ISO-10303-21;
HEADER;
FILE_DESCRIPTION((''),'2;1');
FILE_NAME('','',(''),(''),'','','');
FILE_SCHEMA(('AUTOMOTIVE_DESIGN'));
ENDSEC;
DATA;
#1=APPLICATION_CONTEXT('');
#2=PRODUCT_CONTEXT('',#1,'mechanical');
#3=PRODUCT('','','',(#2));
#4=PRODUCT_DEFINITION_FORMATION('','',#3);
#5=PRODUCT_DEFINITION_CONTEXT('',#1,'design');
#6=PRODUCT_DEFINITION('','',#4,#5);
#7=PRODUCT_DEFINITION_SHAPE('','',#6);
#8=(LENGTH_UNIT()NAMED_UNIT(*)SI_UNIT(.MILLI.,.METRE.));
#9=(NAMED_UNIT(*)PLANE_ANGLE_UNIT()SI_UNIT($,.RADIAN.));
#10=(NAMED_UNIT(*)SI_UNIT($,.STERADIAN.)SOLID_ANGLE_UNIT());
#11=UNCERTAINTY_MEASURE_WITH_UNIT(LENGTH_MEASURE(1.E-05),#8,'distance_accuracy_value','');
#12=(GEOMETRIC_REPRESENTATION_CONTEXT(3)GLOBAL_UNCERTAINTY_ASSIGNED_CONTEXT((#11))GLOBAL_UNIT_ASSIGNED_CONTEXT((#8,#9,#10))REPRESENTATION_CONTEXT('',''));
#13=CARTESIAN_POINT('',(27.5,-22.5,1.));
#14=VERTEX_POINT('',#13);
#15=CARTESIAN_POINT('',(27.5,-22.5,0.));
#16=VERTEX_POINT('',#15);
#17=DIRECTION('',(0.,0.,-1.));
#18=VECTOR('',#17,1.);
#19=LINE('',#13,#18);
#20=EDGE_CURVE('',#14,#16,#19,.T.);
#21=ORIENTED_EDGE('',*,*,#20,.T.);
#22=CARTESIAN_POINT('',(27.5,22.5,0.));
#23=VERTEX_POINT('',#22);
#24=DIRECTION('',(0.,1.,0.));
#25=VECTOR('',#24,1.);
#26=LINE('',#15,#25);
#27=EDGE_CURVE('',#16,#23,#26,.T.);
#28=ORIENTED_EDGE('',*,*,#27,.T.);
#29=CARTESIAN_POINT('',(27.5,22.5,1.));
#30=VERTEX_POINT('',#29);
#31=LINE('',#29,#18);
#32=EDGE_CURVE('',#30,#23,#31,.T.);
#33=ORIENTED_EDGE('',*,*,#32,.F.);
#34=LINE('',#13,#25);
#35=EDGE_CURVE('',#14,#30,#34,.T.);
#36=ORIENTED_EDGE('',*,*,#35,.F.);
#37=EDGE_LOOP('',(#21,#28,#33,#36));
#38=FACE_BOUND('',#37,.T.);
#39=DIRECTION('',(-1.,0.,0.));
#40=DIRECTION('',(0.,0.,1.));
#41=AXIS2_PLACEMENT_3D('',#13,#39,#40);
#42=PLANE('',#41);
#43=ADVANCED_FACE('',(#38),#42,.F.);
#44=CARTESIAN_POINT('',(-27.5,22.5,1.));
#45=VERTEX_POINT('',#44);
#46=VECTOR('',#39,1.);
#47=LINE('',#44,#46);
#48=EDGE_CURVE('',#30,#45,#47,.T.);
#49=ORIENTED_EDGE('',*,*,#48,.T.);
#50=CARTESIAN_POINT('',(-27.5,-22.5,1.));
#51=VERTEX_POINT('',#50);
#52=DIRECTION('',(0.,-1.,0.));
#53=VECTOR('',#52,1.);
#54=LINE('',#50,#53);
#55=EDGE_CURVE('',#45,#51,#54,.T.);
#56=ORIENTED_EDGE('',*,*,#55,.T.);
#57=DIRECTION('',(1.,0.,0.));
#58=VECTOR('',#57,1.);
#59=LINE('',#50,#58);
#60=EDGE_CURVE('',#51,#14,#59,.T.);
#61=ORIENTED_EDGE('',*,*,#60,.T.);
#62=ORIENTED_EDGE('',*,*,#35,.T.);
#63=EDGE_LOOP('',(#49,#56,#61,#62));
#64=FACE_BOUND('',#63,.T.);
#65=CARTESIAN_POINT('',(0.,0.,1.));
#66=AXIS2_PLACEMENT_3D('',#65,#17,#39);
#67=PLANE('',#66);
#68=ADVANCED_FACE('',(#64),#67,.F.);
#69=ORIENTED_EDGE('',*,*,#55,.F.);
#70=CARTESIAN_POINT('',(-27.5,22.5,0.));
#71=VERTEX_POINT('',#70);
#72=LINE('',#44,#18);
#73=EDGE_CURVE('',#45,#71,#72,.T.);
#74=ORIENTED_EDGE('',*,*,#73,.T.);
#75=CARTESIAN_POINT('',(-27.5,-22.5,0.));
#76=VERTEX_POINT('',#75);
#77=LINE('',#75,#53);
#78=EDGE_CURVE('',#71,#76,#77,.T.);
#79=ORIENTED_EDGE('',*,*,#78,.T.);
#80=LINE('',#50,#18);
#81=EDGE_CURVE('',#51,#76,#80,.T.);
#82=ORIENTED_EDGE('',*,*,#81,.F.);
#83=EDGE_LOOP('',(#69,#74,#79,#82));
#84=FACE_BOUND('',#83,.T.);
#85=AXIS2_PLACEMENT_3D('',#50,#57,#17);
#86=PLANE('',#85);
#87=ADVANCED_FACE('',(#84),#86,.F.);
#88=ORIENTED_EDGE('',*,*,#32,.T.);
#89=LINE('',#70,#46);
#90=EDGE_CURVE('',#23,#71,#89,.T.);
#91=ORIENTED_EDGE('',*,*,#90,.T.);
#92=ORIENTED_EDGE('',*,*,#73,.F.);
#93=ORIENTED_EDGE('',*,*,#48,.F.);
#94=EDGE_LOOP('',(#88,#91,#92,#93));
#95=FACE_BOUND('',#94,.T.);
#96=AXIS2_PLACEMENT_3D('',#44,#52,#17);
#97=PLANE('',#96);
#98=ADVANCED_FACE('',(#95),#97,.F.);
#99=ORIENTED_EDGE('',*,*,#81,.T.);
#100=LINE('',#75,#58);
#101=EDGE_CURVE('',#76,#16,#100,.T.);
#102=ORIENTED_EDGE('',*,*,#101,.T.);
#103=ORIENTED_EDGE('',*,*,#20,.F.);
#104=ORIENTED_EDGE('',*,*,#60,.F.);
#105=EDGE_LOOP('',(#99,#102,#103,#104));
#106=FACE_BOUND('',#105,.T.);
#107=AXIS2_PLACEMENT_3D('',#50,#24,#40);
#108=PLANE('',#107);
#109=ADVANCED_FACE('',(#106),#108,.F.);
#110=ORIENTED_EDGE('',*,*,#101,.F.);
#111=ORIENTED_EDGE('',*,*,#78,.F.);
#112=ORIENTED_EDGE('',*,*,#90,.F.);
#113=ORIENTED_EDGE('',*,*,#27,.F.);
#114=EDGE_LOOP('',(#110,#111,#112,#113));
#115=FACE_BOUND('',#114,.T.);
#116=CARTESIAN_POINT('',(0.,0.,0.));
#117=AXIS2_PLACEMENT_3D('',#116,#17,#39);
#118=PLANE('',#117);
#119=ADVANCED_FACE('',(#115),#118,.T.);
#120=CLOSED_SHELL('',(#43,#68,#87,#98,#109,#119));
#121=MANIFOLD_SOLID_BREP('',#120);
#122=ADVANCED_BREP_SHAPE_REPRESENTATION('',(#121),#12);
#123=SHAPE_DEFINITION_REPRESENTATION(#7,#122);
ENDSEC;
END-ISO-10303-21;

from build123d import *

# Parameters (mm, degrees)
SKETCH1_W           = 55
SKETCH1_H           = 45
BOSS_EXTRUDE1_DEPTH = 1


with BuildPart() as part:
    # Sketch1 → Boss-Extrude1 (new body)
    with BuildSketch(Plane.XY):
        Rectangle(SKETCH1_W, SKETCH1_H)
    extrude(amount=BOSS_EXTRUDE1_DEPTH)


solid = part.part
